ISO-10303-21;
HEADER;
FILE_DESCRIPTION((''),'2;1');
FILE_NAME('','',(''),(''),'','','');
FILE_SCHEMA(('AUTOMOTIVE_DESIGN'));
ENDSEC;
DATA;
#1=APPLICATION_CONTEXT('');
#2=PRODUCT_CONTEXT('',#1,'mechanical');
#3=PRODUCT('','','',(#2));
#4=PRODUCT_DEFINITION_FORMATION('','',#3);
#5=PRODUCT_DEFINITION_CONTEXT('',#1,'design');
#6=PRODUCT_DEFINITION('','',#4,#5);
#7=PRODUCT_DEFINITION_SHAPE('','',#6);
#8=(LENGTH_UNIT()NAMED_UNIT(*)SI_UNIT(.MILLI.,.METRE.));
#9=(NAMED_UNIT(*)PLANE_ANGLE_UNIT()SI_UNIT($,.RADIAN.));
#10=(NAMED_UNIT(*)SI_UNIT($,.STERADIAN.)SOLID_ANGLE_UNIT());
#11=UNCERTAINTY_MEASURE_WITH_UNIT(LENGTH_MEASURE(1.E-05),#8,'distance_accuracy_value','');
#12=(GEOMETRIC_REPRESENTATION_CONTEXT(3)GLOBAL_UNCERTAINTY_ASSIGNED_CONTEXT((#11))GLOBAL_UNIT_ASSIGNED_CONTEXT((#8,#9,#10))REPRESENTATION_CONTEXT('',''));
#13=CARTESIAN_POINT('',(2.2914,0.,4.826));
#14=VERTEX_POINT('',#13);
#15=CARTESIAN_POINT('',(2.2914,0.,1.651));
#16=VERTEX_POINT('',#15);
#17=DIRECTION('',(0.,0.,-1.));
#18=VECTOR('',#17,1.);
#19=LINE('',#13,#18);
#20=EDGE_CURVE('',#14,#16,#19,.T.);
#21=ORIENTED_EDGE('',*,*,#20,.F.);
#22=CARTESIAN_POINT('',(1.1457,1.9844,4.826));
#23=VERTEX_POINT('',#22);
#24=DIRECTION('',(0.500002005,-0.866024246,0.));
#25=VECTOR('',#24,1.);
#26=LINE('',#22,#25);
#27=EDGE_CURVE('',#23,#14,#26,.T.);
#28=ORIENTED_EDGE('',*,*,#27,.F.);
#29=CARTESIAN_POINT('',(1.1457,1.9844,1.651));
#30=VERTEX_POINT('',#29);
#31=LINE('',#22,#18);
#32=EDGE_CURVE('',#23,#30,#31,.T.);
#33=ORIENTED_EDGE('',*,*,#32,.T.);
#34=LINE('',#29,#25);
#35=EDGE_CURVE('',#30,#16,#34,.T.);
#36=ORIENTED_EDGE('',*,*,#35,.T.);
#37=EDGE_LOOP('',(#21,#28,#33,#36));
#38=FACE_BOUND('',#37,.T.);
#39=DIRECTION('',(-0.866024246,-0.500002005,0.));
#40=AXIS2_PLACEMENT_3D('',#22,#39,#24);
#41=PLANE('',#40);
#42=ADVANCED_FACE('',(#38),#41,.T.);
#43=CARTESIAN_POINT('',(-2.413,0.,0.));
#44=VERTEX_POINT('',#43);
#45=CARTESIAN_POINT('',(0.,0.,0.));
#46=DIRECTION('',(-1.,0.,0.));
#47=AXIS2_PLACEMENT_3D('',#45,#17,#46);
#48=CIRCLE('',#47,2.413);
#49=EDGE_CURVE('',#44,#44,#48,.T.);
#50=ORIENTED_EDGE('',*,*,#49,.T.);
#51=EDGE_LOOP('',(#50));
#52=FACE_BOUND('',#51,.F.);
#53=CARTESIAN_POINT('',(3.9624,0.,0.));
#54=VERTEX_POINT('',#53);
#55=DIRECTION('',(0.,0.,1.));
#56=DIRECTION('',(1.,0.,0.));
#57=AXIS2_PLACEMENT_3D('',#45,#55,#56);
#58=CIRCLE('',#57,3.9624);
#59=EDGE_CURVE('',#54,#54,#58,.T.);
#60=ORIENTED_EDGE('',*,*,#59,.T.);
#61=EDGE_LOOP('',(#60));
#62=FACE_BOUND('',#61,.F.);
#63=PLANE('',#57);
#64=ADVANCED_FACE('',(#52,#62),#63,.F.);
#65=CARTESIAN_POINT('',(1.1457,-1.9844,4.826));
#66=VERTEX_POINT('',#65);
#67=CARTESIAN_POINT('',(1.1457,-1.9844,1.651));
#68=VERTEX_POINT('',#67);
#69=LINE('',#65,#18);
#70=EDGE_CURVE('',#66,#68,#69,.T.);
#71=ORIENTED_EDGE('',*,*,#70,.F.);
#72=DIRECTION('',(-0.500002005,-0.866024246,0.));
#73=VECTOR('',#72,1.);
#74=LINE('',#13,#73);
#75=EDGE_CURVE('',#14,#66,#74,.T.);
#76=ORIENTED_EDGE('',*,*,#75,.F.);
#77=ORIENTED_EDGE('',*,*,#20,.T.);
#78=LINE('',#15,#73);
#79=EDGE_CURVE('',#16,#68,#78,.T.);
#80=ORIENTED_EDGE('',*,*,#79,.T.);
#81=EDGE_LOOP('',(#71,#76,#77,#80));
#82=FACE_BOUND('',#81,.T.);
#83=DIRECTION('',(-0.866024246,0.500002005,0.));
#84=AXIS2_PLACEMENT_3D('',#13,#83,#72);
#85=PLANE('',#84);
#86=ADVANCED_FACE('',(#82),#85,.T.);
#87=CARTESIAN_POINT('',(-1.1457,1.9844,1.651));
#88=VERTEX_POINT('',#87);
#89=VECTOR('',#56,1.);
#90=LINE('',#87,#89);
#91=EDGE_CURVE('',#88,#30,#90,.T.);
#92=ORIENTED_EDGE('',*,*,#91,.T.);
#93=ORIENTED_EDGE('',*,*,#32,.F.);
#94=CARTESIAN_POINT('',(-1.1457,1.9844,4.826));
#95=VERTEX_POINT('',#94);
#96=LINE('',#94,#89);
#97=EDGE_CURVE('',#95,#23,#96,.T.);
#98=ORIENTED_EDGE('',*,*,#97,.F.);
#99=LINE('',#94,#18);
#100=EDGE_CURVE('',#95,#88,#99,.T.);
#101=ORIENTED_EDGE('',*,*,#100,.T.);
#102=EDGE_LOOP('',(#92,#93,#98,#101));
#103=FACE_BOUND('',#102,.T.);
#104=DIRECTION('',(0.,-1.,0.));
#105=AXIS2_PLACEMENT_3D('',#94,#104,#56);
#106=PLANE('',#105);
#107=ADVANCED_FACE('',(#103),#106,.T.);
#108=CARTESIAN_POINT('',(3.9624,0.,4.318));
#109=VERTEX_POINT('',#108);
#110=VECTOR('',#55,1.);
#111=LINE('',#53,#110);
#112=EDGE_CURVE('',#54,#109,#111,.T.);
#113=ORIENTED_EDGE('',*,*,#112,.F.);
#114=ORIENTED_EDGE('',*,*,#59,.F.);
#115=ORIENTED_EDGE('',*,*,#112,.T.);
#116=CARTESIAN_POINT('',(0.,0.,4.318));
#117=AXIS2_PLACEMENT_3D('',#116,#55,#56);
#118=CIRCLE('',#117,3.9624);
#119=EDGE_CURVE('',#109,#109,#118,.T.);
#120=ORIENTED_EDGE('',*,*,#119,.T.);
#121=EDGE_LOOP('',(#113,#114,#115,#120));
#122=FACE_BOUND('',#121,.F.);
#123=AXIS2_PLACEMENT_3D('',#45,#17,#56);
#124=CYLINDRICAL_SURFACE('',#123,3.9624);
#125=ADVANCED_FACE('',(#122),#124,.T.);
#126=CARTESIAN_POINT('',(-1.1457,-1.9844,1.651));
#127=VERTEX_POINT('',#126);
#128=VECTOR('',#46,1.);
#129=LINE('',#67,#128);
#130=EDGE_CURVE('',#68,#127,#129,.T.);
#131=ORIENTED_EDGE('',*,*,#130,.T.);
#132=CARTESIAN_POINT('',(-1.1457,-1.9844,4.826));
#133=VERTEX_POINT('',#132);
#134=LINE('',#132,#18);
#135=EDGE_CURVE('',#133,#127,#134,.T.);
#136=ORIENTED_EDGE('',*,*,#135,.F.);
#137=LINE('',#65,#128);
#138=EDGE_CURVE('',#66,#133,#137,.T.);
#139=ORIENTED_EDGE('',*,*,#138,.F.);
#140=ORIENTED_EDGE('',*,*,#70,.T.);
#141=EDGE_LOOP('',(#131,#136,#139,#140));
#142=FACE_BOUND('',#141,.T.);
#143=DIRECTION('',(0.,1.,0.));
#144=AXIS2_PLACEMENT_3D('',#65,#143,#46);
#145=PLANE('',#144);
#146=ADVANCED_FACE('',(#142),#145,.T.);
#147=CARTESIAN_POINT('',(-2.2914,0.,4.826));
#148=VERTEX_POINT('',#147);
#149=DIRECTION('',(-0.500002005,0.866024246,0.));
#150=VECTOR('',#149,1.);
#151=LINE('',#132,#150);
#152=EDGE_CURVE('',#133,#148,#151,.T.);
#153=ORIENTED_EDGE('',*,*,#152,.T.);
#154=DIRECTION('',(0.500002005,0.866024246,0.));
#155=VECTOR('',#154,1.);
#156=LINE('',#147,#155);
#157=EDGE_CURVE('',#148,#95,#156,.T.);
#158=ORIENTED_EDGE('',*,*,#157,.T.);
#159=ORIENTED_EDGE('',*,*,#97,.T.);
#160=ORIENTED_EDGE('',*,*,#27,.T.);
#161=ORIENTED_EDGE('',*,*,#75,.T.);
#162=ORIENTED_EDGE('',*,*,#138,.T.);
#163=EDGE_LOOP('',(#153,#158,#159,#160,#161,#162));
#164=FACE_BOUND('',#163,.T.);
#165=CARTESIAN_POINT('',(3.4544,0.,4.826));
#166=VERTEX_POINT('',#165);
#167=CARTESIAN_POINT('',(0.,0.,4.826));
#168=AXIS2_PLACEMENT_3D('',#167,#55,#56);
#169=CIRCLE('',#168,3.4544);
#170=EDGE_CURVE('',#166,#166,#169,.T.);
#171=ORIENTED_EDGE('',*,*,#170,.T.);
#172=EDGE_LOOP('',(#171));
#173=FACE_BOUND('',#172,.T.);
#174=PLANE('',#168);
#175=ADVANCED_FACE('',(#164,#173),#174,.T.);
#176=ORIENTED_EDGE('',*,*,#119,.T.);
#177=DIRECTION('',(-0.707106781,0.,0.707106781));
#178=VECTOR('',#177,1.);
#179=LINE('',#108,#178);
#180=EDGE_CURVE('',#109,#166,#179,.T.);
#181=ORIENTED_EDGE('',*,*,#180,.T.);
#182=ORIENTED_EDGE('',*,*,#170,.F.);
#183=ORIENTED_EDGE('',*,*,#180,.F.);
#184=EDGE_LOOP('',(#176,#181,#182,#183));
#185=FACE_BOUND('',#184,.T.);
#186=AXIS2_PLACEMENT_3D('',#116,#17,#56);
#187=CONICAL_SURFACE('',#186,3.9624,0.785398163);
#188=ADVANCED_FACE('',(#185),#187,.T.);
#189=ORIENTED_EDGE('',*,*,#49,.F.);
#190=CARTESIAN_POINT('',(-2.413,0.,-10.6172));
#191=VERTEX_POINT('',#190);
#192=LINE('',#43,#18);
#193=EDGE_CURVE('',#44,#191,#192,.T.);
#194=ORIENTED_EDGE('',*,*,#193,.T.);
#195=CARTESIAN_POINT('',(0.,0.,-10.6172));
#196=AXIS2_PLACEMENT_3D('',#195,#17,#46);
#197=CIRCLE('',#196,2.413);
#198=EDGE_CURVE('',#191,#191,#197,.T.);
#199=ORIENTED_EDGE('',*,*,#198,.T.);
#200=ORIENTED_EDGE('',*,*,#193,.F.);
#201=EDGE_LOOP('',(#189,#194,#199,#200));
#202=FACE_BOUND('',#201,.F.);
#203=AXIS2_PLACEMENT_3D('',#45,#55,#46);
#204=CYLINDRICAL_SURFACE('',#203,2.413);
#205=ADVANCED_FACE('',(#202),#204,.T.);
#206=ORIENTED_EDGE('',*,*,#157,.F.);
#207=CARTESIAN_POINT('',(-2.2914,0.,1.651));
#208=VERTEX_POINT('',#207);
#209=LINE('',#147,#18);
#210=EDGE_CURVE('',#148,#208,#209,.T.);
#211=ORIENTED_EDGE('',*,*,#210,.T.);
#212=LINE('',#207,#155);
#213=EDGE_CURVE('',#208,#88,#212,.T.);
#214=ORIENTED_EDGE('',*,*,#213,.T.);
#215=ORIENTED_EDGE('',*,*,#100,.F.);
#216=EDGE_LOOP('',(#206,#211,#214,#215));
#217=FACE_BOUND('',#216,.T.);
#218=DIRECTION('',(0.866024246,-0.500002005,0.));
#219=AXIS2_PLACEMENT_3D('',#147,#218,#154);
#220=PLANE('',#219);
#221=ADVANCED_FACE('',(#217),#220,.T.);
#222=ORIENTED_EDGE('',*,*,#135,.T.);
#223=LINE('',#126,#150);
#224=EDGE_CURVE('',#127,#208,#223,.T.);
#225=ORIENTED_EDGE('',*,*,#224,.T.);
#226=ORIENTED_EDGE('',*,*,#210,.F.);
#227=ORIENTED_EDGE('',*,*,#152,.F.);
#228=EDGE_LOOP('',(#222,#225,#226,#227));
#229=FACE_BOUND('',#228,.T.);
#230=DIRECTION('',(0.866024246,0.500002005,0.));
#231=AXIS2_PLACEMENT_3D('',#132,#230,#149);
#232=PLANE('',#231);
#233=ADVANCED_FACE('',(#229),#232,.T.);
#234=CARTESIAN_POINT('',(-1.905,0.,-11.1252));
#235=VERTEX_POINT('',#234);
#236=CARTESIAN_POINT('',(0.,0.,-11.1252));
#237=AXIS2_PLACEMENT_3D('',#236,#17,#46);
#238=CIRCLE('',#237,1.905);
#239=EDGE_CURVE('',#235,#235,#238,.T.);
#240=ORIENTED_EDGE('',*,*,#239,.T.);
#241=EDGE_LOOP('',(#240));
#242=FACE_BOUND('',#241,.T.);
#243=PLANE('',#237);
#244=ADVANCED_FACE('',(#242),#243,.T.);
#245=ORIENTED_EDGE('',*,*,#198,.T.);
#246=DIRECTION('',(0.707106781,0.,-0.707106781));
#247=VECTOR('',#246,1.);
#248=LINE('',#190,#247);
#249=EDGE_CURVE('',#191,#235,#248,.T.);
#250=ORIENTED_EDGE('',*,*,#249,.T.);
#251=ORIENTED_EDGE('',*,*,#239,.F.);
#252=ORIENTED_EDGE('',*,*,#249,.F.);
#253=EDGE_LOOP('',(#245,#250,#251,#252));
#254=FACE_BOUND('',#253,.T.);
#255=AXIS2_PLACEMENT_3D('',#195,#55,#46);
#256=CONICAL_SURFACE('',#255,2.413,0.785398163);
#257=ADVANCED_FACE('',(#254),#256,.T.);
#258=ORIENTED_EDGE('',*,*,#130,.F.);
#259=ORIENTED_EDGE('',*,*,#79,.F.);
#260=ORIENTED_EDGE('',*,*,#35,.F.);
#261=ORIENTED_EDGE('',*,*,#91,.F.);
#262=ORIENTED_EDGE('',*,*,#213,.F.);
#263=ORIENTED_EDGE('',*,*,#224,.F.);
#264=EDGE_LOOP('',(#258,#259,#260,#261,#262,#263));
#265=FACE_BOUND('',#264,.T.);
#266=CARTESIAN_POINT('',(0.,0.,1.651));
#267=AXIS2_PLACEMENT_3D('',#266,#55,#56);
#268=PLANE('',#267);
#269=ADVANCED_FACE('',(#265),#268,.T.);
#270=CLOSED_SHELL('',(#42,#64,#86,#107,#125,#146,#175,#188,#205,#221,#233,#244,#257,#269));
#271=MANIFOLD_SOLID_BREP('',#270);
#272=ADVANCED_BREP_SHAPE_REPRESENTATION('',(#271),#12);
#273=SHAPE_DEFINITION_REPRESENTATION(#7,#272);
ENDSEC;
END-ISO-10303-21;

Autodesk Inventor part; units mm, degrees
ref_plane "YZ Plane" through (0, 0, 0) normal (1, 0, 0) x (0, 1, 0)
ref_plane "XZ Plane" through (0, 0, 0) normal (0, 1, 0) x (-1, 0, 0)
ref_plane "XY Plane" through (0, 0, 0) normal (0, 0, 1) x (1, 0, 0)
sketch "Sketch1" plane through (0, 0, 0) normal (0, 0, 1) x (1, 0, 0)
  circle A0 centre (0, 0) radius 3.9624
  dimension "d0" = 7.9248
extrude "Extrusion1" add sketch "Sketch1" along normal blind 4.826
sketch "Sketch2" plane through (0, 0, 0) normal (0, 0, -1) x (-1, 0, 0)
  circle A0 centre (0, 0) radius 3.9624 projected
  circle A1 centre (0, 0) radius 2.413
  dimension "d3" = 4.826
extrude "Extrusion2" add sketch "Sketch2" along normal blind 11.1252 contours A1
sketch "Sketch3" plane through (0, 0, 4.826) normal (0, 0, 1) x (1, 0, 0)
  circle A0 centre (0, 0) radius 3.9624 projected
  line L0 (-1.1457, 1.9844) -> (1.1457, 1.9844)
  line L1 (1.1457, 1.9844) -> (2.2914, 0)
  line L2 (2.2914, 0) -> (1.1457, -1.9844)
  line L3 (1.1457, -1.9844) -> (-1.1457, -1.9844)
  line L4 (-1.1457, -1.9844) -> (-2.2914, 0)
  line L5 (-2.2914, 0) -> (-1.1457, 1.9844)
  dimension "d6" = 3.9688
extrude "Extrusion3" cut sketch "Sketch3" against normal blind 3.175 contours L0 L1 L2 L3 L4 L5
thread "Thread1" size "10-32 UNF" class "2A" standard "ANSI Unified Screw Threads" full length
chamfer "Chamfer1" distance 0.508 angle 45 1 edges at (2.413, 0, -11.1252)
chamfer "Chamfer2" distance 0.508 angle 45 1 edges at (-3.9624, 0, 4.826)
properties part number "10-32 x1000" material "Steel"
